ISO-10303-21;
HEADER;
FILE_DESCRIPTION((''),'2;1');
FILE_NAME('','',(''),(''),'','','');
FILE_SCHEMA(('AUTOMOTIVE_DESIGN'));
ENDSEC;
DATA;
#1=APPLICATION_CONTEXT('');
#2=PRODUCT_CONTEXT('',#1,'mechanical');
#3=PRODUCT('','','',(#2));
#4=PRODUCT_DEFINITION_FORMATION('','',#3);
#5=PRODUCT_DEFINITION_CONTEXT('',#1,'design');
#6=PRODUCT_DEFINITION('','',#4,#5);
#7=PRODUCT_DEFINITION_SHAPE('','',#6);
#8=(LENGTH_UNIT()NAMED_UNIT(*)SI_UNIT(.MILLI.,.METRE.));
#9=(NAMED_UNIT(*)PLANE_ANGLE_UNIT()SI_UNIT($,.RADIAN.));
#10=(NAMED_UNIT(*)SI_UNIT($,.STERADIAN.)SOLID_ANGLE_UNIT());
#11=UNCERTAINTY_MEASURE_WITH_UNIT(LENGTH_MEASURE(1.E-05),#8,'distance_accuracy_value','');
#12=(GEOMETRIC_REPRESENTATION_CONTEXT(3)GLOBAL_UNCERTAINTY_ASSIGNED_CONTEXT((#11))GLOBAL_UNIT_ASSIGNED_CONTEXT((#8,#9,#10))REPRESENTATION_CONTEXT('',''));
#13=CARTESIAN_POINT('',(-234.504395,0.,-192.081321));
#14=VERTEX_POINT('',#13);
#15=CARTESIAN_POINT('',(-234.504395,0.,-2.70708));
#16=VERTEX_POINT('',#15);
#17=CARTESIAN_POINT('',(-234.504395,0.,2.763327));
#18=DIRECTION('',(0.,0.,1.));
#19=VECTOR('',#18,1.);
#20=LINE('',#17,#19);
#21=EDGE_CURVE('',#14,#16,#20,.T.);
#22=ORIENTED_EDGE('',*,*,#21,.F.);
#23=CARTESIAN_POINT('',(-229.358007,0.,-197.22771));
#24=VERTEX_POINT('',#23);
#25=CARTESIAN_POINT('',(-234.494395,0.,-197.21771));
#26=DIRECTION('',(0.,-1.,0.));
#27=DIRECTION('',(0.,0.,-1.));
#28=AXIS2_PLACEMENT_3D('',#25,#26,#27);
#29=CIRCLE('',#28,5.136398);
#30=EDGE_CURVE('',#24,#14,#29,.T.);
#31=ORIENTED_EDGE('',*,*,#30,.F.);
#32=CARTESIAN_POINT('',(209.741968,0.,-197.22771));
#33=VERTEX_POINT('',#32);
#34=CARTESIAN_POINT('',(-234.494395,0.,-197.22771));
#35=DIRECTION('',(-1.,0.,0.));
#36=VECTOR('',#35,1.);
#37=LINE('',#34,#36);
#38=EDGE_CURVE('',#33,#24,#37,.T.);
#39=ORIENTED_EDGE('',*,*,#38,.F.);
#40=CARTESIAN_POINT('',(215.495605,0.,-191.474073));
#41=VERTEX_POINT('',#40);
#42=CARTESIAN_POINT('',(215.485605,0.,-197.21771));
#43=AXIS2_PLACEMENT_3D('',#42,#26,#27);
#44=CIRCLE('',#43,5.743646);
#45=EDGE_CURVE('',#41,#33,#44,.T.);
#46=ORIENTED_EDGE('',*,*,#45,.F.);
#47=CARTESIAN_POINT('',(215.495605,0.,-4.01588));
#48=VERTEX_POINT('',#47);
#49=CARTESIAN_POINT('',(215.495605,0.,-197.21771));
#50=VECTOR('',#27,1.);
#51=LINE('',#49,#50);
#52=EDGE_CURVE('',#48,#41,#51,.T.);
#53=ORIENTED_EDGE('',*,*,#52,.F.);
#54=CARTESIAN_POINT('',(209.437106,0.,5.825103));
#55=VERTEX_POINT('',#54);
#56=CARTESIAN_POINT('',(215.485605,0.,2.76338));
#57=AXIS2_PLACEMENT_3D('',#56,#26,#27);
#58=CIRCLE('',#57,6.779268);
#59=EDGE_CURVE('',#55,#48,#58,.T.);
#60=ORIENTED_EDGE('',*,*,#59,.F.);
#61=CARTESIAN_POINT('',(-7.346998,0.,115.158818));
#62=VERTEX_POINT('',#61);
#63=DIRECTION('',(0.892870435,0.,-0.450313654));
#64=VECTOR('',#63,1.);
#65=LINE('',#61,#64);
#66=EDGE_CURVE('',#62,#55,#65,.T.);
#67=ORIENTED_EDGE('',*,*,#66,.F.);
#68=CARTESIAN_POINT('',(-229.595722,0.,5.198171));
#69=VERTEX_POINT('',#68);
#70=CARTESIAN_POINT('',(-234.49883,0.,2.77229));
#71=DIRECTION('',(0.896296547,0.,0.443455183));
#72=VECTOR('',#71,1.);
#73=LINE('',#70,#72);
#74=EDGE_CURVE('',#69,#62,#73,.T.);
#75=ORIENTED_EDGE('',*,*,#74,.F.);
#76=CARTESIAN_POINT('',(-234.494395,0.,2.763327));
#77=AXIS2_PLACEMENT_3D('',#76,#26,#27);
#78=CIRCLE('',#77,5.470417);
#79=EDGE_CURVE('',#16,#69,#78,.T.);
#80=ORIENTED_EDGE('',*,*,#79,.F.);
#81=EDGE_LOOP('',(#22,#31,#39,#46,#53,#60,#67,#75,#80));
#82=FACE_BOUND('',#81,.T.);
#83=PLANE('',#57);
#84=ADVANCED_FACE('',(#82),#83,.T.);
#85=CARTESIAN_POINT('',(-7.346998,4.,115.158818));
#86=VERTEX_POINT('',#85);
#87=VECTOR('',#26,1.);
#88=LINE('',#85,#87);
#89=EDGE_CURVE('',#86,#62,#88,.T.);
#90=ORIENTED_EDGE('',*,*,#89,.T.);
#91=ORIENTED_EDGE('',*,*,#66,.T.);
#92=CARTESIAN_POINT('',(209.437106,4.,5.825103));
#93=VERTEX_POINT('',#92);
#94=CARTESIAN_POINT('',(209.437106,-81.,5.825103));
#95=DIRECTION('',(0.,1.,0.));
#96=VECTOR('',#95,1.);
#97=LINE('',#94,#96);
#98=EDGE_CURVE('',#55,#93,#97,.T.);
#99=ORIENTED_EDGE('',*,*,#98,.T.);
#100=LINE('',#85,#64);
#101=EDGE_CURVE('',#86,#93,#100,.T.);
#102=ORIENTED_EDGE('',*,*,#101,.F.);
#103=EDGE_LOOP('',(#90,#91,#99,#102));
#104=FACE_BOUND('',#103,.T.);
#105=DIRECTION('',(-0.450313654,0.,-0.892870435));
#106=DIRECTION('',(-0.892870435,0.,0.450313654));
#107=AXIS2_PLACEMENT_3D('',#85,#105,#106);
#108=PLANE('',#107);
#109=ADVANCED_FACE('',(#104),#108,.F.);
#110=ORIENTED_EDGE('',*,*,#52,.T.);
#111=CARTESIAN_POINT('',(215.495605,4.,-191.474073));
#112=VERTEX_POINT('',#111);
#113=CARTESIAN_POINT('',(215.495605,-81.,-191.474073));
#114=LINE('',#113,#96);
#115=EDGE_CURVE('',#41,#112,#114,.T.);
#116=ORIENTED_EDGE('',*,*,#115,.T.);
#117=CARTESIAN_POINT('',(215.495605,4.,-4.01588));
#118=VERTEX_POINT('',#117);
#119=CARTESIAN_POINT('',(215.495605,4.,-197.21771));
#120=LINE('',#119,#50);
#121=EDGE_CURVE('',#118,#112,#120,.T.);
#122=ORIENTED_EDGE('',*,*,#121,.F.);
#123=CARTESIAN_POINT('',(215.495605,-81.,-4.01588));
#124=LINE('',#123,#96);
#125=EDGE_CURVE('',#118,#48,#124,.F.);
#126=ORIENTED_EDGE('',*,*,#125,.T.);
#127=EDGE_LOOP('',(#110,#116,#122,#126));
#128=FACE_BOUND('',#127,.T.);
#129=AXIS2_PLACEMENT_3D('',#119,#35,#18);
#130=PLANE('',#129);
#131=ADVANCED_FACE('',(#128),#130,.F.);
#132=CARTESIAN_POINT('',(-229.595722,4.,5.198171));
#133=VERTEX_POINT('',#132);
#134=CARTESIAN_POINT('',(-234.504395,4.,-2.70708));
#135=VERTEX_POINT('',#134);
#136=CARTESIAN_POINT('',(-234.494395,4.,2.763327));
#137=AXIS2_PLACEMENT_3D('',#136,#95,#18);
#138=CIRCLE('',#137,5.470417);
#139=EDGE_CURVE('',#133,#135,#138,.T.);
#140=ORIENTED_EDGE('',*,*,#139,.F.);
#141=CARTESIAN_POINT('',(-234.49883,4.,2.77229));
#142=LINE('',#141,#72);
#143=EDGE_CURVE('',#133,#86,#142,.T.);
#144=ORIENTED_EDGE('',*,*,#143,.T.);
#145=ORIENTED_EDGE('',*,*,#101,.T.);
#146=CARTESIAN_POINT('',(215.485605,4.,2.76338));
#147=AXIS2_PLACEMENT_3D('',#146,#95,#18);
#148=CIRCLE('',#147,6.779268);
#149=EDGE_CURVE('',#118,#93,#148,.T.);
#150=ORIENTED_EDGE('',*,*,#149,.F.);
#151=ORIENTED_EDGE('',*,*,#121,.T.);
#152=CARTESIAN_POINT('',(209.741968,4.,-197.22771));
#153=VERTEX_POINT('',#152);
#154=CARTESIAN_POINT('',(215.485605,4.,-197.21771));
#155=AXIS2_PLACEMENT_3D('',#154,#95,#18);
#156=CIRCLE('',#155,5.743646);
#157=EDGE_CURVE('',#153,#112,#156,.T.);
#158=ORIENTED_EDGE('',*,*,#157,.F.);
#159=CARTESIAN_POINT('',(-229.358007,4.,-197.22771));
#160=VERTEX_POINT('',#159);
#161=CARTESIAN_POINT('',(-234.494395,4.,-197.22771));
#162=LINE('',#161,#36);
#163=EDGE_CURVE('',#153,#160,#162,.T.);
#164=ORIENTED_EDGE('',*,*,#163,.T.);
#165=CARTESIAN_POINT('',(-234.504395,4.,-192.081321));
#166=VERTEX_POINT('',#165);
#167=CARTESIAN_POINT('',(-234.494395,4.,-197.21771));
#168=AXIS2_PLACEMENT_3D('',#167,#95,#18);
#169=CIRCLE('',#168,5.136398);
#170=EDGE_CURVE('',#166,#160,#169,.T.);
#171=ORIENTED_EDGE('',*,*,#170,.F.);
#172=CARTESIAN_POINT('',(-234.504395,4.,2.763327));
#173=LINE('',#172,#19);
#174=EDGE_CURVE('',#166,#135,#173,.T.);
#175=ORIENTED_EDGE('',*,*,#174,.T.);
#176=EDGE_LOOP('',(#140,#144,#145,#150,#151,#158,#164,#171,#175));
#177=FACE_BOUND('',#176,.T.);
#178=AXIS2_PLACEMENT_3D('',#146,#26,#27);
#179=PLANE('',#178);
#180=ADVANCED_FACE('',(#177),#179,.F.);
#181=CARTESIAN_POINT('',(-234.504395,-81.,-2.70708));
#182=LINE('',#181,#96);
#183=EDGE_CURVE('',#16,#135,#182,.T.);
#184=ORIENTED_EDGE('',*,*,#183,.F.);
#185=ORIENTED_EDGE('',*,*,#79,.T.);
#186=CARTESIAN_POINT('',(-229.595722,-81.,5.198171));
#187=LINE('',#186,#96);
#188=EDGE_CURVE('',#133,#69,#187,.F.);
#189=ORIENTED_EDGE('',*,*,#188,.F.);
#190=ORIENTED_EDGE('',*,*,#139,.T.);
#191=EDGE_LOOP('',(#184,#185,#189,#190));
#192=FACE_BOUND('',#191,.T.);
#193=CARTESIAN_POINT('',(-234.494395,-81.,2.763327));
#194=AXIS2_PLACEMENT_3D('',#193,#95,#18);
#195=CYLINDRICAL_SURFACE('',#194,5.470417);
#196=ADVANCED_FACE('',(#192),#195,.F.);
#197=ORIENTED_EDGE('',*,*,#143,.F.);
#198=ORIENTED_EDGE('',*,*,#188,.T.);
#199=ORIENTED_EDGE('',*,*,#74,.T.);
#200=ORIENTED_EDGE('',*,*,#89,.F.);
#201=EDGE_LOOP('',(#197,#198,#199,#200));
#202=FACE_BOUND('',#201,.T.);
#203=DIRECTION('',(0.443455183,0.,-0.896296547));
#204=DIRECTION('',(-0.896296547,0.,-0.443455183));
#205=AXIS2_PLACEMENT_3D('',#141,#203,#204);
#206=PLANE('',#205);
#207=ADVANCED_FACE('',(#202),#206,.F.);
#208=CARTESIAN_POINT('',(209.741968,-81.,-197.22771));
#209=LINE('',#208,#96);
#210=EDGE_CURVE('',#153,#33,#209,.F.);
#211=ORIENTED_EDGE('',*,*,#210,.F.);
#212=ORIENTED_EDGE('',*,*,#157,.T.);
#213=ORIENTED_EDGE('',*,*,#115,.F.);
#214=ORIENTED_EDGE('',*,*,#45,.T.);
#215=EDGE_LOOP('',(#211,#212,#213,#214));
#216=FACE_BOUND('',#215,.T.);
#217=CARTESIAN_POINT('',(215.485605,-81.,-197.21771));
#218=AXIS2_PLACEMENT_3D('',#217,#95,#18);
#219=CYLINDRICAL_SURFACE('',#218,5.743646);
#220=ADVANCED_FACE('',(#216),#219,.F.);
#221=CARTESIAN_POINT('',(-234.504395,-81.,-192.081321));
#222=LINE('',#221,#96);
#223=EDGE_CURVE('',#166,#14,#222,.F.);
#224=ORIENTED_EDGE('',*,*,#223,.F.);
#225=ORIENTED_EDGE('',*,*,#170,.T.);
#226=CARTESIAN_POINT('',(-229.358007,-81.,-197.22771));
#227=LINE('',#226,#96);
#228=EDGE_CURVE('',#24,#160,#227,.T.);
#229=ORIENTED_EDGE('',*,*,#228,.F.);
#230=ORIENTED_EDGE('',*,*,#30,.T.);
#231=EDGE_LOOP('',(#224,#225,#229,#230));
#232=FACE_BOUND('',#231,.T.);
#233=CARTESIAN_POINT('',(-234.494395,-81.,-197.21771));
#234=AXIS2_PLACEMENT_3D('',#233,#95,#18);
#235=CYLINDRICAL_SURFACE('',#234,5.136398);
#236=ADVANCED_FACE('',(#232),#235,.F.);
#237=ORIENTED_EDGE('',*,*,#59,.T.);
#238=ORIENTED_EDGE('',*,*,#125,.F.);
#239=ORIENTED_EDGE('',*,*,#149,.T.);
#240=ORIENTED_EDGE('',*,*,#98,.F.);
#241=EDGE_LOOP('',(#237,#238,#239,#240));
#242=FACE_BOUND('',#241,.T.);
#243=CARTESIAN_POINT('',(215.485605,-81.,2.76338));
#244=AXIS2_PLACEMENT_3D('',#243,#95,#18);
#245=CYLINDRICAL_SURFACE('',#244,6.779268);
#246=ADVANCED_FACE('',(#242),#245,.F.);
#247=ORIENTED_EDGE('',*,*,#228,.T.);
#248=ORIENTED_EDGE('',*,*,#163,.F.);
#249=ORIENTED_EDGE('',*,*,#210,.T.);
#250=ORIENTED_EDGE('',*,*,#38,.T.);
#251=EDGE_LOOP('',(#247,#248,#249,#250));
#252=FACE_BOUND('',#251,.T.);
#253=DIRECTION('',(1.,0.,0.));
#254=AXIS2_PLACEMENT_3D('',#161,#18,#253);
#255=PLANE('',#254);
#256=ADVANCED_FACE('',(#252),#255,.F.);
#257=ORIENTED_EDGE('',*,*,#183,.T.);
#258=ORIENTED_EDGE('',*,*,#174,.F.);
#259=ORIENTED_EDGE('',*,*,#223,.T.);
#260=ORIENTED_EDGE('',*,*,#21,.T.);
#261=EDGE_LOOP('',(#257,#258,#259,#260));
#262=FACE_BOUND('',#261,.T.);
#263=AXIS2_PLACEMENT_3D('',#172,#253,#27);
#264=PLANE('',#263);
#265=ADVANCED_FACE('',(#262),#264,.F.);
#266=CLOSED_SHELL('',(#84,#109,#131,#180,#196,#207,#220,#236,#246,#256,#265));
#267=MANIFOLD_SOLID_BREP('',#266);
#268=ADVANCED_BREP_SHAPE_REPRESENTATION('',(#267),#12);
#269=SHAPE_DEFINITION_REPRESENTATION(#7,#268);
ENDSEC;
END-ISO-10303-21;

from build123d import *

# Parameters (mm, degrees)
BOSS_EXTRUDE1_DEPTH = 4
SKETCH3_R           = 5.470416759
SKETCH3_R_2         = 5.136398205
SKETCH3_R_3         = 5.743645838
SKETCH3_R_4         = 6.779267961
CUT_EXTRUDE2_DEPTH  = 85


with BuildPart() as part:
    # Sketch1 → Boss-Extrude1 (new body)
    with BuildSketch(Plane(origin=(0, 0, 0), x_dir=(1, 0, 0), z_dir=(0, 1, 0))):
        with BuildLine():
            Line((-234.498829852, -2.772290193), (-7.346998412, -115.1588183))
            Line((-7.346998412, -115.1588183), (215.490107836, -2.772308919))
            ThreePointArc((215.490107836, -2.772308919), (215.494120314, -2.768622763), (215.495604699, -2.763380215))
            Line((215.495604699, -2.763380215), (215.495604699, 197.217709807))
            ThreePointArc((215.495604699, 197.217709807), (215.492675767, 197.224780875), (215.485604699, 197.227709807))
            Line((215.485604699, 197.227709807), (-234.494395301, 197.227709807))
            ThreePointArc((-234.494395301, 197.227709807), (-234.501466368, 197.224780875), (-234.504395301, 197.217709807))
            Line((-234.504395301, 197.217709807), (-234.504395301, -2.763327228))
            ThreePointArc((-234.504395301, -2.763327228), (-234.502890756, -2.768602381), (-234.498829852, -2.772290193))
        make_face()
    extrude(amount=BOSS_EXTRUDE1_DEPTH)

    # Sketch3 → Cut-Extrude2 (cut)
    with BuildSketch(Plane(origin=(0, 4, 0), x_dir=(1, 0, 0), z_dir=(0, 1, 0))):
        with Locations((-234.494395301, -2.763327228)):
            Circle(SKETCH3_R)
        with Locations((-234.494395301, 197.217709807)):
            Circle(SKETCH3_R_2)
        with Locations((215.485604699, 197.217709807)):
            Circle(SKETCH3_R_3)
        with Locations((215.485604699, -2.763380215)):
            Circle(SKETCH3_R_4)
    extrude(amount=-CUT_EXTRUDE2_DEPTH, mode=Mode.SUBTRACT)


solid = part.part
